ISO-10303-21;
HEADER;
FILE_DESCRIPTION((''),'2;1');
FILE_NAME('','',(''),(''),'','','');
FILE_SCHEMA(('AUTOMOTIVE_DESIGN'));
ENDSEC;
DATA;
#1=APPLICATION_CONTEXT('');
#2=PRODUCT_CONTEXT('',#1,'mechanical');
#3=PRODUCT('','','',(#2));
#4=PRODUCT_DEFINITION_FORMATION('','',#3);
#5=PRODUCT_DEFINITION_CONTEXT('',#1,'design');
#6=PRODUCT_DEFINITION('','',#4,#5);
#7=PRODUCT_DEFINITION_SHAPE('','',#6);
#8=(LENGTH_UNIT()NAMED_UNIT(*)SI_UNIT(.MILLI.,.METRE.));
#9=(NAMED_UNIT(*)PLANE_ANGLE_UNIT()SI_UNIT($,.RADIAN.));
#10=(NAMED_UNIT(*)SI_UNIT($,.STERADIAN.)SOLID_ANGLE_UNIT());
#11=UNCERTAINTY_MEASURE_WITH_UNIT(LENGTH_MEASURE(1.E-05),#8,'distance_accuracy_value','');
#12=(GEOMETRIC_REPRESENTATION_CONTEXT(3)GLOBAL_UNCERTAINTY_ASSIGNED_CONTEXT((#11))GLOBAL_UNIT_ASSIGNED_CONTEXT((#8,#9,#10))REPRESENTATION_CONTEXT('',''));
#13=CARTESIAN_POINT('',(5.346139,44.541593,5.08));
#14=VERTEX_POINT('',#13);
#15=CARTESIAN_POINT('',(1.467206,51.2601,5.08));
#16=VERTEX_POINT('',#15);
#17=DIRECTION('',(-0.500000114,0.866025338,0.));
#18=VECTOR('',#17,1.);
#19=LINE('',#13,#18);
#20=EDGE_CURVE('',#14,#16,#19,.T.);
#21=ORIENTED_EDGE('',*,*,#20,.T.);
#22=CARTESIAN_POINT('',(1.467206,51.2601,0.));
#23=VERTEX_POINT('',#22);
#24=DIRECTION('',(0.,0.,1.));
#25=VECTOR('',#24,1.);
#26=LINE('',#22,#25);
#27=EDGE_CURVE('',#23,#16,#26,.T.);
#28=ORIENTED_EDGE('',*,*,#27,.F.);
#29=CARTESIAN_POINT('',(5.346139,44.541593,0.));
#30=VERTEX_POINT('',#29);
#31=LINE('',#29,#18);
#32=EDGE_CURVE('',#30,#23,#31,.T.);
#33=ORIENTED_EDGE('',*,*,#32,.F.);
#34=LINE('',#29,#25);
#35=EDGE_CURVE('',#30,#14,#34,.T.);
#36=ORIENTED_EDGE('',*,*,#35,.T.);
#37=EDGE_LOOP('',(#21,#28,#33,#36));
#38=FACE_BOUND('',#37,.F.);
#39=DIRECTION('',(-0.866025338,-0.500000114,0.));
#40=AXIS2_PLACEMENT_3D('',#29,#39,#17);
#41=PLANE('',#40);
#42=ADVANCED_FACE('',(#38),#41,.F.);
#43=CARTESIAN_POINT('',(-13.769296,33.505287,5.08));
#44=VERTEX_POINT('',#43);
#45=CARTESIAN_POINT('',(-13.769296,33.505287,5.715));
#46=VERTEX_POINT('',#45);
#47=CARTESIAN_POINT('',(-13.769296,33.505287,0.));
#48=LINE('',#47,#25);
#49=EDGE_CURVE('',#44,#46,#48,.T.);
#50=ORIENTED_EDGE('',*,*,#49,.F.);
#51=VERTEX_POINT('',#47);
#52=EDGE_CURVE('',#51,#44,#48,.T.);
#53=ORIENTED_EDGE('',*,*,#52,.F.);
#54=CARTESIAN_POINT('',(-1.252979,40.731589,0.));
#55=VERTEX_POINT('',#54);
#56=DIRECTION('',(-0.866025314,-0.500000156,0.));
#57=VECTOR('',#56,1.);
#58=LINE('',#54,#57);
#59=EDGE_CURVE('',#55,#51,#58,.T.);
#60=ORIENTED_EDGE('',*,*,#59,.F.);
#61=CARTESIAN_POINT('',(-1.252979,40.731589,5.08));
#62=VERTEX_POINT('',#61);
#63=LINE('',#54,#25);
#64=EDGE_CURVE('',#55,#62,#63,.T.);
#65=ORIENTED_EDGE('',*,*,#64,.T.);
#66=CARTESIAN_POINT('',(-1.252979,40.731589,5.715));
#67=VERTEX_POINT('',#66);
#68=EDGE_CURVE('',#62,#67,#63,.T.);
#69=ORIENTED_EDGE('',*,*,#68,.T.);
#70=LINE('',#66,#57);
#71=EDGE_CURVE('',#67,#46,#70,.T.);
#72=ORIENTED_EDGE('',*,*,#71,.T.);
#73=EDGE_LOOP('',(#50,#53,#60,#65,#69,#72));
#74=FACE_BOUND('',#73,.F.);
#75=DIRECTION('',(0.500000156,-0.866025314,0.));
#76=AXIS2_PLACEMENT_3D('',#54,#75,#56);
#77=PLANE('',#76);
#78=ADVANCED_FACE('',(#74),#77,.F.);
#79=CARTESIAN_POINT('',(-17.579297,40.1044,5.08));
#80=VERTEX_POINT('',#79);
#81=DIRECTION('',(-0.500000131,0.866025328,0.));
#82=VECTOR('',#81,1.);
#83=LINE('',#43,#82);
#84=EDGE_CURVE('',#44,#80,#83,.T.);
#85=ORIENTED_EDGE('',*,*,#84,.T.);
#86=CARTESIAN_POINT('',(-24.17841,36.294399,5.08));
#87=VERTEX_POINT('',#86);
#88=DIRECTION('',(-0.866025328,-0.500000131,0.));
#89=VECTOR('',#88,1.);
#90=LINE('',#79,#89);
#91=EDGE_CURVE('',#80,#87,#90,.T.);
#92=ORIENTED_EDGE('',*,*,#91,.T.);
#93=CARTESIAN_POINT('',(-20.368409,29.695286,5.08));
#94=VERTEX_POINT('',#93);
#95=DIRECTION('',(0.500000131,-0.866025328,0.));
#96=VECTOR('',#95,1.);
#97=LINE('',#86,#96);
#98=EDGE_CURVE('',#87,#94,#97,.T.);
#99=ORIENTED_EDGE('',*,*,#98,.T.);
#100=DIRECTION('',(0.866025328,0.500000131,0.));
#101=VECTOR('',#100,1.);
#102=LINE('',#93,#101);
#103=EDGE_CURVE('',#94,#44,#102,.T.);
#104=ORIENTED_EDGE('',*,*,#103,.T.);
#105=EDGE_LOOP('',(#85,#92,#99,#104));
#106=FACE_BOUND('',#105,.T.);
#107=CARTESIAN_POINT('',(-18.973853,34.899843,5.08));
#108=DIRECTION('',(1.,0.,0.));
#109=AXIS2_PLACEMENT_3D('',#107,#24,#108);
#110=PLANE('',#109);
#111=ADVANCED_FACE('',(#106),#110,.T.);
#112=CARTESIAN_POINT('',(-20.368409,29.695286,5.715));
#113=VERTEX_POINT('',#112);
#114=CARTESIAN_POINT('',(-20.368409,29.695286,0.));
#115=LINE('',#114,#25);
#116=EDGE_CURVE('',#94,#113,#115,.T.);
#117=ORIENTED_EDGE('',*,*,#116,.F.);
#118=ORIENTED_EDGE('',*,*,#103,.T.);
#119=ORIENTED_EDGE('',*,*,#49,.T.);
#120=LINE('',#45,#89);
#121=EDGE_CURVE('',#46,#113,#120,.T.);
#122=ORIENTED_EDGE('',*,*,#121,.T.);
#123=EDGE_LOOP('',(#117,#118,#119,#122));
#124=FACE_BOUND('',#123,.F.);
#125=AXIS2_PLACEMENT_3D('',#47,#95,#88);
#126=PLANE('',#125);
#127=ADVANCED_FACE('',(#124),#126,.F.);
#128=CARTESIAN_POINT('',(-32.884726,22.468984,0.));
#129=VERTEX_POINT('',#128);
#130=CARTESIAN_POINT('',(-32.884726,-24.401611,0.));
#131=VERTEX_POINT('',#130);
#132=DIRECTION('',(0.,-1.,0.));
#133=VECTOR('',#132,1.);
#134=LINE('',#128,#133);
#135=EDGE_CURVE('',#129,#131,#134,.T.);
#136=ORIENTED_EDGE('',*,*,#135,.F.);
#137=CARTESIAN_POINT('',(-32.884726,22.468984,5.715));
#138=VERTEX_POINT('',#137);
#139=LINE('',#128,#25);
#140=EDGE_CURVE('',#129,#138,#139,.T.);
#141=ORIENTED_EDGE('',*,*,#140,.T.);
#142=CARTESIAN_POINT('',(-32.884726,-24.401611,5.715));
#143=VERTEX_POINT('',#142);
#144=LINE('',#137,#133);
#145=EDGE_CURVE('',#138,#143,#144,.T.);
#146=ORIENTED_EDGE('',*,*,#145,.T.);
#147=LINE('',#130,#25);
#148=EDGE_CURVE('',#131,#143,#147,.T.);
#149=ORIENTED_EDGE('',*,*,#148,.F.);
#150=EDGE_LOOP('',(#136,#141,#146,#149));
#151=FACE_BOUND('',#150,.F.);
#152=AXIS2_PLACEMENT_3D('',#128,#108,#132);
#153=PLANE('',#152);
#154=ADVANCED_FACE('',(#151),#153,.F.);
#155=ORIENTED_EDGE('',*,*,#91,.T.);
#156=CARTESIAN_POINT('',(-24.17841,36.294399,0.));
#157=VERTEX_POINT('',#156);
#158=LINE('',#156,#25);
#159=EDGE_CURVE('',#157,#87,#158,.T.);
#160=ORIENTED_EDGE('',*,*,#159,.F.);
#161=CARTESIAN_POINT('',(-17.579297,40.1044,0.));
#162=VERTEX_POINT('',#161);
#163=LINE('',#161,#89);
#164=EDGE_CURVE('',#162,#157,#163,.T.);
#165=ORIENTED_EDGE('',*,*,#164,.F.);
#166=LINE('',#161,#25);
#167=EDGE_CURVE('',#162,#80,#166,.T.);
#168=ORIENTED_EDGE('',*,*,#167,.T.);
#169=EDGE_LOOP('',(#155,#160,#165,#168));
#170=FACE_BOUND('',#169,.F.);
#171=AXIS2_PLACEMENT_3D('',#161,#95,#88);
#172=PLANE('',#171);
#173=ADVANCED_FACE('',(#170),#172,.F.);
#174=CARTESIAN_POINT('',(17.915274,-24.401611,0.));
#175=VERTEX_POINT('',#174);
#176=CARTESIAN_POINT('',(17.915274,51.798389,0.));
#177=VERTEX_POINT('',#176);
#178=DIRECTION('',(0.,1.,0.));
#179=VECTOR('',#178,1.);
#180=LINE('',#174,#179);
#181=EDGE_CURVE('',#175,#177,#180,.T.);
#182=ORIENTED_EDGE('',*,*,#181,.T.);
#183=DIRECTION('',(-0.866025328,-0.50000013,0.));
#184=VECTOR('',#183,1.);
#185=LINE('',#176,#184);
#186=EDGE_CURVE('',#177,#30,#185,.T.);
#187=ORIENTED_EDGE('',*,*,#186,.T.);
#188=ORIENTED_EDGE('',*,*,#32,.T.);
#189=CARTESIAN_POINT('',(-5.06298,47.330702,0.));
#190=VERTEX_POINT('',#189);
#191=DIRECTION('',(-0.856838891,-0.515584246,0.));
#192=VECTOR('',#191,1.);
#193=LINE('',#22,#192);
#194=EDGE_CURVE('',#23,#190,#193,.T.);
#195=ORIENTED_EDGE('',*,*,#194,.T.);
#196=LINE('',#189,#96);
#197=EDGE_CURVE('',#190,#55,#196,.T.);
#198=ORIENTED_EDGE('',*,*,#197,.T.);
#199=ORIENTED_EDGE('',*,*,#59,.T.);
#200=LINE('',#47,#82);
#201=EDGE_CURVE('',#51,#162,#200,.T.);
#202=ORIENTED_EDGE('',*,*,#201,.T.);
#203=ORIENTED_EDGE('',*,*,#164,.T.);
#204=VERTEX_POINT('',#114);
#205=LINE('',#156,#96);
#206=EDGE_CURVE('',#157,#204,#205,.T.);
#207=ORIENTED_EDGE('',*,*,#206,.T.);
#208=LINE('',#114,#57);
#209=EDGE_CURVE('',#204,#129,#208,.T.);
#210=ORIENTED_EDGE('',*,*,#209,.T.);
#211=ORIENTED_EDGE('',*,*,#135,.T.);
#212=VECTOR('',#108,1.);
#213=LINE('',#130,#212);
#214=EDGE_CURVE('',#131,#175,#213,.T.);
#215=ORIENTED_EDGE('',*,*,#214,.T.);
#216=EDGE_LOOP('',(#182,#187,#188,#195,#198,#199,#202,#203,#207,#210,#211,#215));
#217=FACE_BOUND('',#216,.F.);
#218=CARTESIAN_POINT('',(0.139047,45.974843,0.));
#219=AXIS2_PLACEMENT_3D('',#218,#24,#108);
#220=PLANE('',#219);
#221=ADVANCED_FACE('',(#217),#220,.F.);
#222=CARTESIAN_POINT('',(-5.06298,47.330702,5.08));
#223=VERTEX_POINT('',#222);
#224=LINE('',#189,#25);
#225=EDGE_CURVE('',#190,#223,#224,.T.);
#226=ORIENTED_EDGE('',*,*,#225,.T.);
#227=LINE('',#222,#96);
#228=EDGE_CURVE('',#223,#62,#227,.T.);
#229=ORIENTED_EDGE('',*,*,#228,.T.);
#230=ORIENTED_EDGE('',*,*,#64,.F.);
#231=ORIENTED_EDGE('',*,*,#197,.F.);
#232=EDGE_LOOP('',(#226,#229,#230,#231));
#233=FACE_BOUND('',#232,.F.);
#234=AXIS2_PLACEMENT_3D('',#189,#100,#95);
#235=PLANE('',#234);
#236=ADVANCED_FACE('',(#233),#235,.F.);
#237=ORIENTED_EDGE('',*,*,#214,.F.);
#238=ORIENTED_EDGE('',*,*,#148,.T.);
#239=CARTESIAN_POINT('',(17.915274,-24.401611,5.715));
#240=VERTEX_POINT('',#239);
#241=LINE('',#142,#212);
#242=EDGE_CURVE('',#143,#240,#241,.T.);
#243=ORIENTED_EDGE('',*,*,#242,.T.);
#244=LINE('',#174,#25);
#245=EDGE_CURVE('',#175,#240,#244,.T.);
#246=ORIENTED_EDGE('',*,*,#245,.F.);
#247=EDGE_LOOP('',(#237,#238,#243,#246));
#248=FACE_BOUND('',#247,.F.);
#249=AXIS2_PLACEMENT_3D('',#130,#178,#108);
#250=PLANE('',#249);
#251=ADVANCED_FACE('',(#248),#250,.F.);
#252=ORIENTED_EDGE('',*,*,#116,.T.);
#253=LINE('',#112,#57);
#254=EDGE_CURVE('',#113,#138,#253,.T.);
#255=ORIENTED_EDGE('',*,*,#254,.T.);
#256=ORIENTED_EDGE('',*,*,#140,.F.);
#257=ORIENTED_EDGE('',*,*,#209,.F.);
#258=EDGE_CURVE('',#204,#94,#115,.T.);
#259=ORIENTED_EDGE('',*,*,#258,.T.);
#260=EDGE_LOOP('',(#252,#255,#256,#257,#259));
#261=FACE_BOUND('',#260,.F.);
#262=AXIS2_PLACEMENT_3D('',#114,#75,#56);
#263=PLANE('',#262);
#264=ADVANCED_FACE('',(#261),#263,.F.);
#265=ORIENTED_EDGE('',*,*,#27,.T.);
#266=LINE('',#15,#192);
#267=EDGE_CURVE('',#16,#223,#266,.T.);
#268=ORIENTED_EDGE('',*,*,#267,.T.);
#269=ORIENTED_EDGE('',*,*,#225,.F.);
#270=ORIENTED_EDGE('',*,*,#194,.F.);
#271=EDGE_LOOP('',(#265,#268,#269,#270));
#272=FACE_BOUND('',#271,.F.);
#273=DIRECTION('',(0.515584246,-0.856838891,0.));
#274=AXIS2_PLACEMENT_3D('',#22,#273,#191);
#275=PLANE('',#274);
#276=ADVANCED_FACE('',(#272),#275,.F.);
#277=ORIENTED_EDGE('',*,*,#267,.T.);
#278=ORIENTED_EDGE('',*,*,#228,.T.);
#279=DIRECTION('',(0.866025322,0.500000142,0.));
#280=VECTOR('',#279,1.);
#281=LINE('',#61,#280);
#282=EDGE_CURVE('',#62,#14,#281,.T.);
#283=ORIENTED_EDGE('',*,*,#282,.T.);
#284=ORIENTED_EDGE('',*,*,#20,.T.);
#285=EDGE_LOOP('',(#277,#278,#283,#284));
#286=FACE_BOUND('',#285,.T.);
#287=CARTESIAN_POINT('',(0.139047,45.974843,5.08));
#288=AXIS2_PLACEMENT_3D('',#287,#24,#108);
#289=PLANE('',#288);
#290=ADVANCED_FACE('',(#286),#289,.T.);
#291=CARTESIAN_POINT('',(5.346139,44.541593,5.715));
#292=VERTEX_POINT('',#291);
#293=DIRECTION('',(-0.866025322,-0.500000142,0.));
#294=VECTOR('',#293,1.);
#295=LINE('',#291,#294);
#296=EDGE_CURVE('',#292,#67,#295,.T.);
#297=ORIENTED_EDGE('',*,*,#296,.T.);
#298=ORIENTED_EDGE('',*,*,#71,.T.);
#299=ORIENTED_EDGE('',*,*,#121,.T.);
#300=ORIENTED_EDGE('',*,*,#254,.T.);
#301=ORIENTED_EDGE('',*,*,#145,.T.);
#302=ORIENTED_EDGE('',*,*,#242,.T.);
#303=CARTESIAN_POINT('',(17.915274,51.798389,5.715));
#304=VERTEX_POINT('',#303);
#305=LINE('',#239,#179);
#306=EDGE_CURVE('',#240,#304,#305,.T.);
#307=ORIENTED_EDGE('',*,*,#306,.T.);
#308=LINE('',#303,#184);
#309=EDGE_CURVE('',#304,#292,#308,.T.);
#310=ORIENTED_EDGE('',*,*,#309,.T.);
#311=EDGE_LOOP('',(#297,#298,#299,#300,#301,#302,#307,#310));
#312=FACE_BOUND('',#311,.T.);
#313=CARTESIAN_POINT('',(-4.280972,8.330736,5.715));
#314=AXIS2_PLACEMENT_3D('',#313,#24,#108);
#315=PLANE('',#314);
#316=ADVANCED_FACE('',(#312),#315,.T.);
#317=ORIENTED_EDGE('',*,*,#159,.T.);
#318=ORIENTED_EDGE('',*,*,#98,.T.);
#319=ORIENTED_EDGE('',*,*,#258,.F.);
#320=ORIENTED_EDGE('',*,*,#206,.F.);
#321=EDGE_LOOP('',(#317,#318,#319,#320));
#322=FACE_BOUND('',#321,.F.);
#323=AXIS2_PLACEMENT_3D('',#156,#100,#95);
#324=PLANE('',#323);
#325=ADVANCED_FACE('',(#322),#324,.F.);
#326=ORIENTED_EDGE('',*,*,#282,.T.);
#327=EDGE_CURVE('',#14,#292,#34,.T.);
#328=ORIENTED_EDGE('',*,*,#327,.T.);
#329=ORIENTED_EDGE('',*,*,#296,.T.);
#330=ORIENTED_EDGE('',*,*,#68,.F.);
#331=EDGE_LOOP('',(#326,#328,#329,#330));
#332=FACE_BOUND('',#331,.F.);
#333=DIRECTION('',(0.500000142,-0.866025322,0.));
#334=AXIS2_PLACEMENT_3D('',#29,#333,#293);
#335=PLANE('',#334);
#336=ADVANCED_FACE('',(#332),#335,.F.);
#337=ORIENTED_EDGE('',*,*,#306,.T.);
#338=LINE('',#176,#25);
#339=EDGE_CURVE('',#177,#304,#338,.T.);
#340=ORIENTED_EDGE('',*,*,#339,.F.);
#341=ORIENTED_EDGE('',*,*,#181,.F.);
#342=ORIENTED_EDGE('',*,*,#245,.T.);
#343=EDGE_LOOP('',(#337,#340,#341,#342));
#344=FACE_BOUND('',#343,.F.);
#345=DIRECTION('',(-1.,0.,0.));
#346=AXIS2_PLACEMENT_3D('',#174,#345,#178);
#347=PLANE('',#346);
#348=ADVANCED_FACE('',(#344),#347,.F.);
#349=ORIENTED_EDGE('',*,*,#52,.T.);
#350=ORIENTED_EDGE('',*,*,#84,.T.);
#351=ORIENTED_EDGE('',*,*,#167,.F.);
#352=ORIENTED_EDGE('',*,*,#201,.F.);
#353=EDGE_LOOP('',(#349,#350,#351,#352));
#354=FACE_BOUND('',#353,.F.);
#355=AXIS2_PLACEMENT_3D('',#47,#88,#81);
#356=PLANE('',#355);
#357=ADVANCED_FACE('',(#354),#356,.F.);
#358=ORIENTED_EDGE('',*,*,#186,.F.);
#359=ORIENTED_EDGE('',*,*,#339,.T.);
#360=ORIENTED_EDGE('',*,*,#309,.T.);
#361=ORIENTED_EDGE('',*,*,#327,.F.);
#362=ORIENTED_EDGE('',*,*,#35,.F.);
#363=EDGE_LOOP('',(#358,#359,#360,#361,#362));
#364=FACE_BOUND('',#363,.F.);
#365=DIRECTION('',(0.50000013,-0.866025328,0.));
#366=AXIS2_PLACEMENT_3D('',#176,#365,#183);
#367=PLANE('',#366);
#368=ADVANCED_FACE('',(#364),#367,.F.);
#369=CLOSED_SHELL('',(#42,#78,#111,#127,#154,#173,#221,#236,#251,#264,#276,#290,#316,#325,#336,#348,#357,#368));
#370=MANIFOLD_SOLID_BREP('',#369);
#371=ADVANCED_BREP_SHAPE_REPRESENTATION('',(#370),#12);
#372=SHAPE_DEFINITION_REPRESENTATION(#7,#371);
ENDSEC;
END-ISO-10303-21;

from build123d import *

# Parameters (mm, degrees)
F1_DEPTH = 5.715
F2_DEPTH = 5.08


with BuildPart() as f1:
    # F0 (on Top) → F1 (new body)
    with BuildSketch(Plane.XY):
        Polygon((-32.884726, 22.468984), (-32.884726, -24.401611), (17.915274, -24.401611), (17.915274, 51.798389), (5.346139, 44.541593), (-1.252979, 40.731589), (-13.769296, 33.505287), (-20.368409, 29.695286), align=None)
    extrude(amount=F1_DEPTH)

    # F0 (on Top) → F2 (join)
    with BuildSketch(Plane.XY):
        Polygon((-1.252979, 40.731589), (5.346139, 44.541593), (1.467206, 51.2601), (-5.06298, 47.330702), align=None)
        Polygon((-24.17841, 36.294399), (-20.368409, 29.695286), (-13.769296, 33.505287), (-17.579297, 40.1044), align=None)
    extrude(amount=F2_DEPTH)


solid = f1.part
